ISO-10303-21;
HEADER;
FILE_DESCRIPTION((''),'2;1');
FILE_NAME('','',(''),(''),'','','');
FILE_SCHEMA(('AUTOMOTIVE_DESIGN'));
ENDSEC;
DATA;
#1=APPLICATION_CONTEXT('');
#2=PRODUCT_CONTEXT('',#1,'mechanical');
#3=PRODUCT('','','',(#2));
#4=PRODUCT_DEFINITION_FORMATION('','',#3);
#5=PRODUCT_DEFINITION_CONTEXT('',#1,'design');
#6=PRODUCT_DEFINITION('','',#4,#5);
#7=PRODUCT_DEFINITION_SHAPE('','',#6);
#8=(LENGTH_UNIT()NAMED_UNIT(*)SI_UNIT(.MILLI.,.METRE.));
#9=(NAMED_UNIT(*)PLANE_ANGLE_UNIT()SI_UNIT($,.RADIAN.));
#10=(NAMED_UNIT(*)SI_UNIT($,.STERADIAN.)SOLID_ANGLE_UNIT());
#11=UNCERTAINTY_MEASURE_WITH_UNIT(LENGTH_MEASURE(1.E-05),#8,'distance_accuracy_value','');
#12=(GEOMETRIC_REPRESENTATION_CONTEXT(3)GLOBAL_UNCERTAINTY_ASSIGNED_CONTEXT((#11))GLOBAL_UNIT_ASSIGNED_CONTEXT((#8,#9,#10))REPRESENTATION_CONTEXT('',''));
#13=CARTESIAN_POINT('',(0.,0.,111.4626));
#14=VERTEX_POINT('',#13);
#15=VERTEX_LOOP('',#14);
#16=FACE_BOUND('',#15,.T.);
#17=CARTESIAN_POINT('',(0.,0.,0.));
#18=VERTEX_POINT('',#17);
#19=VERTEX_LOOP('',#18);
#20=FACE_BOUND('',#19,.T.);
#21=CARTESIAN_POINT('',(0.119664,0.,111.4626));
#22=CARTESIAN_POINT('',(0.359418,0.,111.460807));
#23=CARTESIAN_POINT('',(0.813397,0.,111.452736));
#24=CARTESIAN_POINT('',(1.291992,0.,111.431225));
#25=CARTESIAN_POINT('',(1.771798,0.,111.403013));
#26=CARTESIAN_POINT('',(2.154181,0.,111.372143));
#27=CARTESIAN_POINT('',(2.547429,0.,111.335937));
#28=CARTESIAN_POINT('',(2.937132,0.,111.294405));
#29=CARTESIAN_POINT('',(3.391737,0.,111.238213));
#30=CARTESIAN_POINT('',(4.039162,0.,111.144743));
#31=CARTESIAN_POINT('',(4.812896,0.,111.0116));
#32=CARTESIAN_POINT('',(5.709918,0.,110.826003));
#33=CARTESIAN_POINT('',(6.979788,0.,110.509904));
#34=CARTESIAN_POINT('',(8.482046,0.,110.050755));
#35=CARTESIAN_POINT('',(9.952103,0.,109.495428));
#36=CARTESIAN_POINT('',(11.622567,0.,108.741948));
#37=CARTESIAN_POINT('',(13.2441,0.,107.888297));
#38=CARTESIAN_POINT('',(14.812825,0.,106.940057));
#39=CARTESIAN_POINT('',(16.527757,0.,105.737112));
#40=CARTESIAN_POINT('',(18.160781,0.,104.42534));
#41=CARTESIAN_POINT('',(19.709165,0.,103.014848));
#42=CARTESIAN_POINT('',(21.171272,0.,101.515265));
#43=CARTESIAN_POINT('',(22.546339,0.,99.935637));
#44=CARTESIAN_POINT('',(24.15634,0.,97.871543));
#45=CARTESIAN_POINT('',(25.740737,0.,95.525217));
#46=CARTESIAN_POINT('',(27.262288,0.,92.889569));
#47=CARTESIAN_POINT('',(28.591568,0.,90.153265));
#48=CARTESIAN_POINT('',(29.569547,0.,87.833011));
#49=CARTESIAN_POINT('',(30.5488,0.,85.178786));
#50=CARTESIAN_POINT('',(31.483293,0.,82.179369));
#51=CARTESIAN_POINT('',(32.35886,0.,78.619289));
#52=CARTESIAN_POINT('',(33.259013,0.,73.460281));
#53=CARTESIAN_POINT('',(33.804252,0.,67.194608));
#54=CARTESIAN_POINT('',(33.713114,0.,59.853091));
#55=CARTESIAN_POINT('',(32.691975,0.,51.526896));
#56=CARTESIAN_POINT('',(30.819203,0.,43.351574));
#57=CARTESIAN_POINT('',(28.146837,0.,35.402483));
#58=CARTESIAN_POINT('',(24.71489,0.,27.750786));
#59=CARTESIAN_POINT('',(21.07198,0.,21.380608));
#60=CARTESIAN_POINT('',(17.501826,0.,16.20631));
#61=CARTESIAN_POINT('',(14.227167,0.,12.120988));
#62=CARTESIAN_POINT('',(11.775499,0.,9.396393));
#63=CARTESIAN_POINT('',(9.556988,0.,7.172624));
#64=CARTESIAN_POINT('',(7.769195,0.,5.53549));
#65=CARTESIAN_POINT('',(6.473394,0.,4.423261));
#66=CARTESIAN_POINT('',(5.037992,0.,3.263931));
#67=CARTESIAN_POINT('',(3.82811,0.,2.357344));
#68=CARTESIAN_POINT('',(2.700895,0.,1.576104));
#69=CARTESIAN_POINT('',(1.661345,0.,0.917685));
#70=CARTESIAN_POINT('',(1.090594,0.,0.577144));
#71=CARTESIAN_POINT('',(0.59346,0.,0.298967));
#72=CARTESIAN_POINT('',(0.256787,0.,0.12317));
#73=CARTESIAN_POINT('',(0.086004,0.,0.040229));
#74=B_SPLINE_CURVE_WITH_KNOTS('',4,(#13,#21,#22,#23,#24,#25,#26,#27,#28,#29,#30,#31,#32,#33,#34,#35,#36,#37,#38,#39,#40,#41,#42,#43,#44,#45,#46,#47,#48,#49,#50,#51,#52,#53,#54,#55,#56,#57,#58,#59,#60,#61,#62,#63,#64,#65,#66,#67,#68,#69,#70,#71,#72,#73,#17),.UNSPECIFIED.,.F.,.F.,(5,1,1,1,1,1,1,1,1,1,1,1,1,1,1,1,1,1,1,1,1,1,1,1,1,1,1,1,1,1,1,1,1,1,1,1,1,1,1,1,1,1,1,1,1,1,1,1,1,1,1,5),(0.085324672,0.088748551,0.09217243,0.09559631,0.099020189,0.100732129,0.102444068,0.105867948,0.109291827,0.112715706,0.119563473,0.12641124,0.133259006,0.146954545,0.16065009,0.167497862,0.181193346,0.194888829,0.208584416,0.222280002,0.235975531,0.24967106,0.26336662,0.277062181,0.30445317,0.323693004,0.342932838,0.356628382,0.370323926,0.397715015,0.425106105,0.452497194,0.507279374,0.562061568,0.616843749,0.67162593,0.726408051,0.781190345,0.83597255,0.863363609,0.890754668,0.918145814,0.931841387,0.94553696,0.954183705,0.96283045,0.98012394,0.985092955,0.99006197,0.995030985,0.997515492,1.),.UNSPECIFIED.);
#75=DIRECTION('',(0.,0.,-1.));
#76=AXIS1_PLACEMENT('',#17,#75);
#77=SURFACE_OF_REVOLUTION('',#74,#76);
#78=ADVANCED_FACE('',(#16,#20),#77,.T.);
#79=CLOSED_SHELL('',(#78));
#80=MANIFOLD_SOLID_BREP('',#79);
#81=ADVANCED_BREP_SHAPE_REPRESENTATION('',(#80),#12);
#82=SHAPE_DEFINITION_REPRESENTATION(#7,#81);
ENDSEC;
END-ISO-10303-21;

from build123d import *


with BuildPart() as part:
    # Sketch1 → Revolve1 (revolve)
    with BuildSketch(Plane(origin=(0, 0, 0), x_dir=(1, 0, 0), z_dir=(0, 1, 0))):
        with BuildLine():
            Line((0, -111.462600137), (0, 0))
            add(Edge.make_bspline(
                [(0, -111.462600137), (0.119663796, -111.462600137), (0.359418155, -111.460806703), (0.81339655, -111.45273625), (1.291992107, -111.431224934), (1.771797815, -111.403012927), (2.154181462, -111.372142779), (2.547428621, -111.335936553), (2.937132141, -111.294405219), (3.391737162, -111.238212732), (4.039162414, -111.144742729), (4.812896196, -111.011600029), (5.709918124, -110.826003495), (6.979787665, -110.509904393), (8.482046329, -110.050755162), (9.952102864, -109.495427919), (11.622567491, -108.741947994), (13.244100136, -107.88829683), (14.812825258, -106.940056905), (16.527756962, -105.737112094), (18.160781062, -104.425339585), (19.70916547, -103.014848365), (21.171272092, -101.515265025), (22.546338682, -99.935637178), (24.15633982, -97.871543064), (25.740736775, -95.525217308), (27.262287651, -92.889568701), (28.591568146, -90.153265379), (29.569546837, -87.833011283), (30.548800182, -85.178785686), (31.483293181, -82.179369064), (32.358859866, -78.619288625), (33.259013204, -73.460281424), (33.804251806, -67.194607831), (33.713113872, -59.853090753), (32.691974675, -51.526896486), (30.819203229, -43.35157409), (28.146837326, -35.402483016), (24.714889743, -27.750786046), (21.071980261, -21.380607593), (17.501826196, -16.206310495), (14.227166512, -12.120988045), (11.775498973, -9.396392704), (9.55698811, -7.172623555), (7.769195383, -5.535490477), (6.473394064, -4.423260798), (5.037991946, -3.263931226), (3.82810989, -2.357343588), (2.700895246, -1.576104484), (1.661345226, -0.917684938), (1.090594344, -0.577144214), (0.593460457, -0.298966802), (0.256786726, -0.123170174), (0.086004181, -0.04022852), (0, 0)],
                knots=[0.085324672, 0.085324672, 0.085324672, 0.085324672, 0.085324672, 0.088748551, 0.09217243, 0.09559631, 0.099020189, 0.100732129, 0.102444068, 0.105867948, 0.109291827, 0.112715706, 0.119563473, 0.12641124, 0.133259006, 0.146954545, 0.16065009, 0.167497862, 0.181193346, 0.194888829, 0.208584416, 0.222280002, 0.235975531, 0.24967106, 0.26336662, 0.277062181, 0.30445317, 0.323693004, 0.342932838, 0.356628382, 0.370323926, 0.397715015, 0.425106105, 0.452497194, 0.507279374, 0.562061568, 0.616843749, 0.67162593, 0.726408051, 0.781190345, 0.83597255, 0.863363609, 0.890754668, 0.918145814, 0.931841387, 0.94553696, 0.954183705, 0.96283045, 0.98012394, 0.985092955, 0.99006197, 0.995030985, 0.997515492, 1, 1, 1, 1, 1], degree=4))
        make_face()
    revolve(axis=Axis((0, 0, 0), (0, 0, 1)))


solid = part.part
